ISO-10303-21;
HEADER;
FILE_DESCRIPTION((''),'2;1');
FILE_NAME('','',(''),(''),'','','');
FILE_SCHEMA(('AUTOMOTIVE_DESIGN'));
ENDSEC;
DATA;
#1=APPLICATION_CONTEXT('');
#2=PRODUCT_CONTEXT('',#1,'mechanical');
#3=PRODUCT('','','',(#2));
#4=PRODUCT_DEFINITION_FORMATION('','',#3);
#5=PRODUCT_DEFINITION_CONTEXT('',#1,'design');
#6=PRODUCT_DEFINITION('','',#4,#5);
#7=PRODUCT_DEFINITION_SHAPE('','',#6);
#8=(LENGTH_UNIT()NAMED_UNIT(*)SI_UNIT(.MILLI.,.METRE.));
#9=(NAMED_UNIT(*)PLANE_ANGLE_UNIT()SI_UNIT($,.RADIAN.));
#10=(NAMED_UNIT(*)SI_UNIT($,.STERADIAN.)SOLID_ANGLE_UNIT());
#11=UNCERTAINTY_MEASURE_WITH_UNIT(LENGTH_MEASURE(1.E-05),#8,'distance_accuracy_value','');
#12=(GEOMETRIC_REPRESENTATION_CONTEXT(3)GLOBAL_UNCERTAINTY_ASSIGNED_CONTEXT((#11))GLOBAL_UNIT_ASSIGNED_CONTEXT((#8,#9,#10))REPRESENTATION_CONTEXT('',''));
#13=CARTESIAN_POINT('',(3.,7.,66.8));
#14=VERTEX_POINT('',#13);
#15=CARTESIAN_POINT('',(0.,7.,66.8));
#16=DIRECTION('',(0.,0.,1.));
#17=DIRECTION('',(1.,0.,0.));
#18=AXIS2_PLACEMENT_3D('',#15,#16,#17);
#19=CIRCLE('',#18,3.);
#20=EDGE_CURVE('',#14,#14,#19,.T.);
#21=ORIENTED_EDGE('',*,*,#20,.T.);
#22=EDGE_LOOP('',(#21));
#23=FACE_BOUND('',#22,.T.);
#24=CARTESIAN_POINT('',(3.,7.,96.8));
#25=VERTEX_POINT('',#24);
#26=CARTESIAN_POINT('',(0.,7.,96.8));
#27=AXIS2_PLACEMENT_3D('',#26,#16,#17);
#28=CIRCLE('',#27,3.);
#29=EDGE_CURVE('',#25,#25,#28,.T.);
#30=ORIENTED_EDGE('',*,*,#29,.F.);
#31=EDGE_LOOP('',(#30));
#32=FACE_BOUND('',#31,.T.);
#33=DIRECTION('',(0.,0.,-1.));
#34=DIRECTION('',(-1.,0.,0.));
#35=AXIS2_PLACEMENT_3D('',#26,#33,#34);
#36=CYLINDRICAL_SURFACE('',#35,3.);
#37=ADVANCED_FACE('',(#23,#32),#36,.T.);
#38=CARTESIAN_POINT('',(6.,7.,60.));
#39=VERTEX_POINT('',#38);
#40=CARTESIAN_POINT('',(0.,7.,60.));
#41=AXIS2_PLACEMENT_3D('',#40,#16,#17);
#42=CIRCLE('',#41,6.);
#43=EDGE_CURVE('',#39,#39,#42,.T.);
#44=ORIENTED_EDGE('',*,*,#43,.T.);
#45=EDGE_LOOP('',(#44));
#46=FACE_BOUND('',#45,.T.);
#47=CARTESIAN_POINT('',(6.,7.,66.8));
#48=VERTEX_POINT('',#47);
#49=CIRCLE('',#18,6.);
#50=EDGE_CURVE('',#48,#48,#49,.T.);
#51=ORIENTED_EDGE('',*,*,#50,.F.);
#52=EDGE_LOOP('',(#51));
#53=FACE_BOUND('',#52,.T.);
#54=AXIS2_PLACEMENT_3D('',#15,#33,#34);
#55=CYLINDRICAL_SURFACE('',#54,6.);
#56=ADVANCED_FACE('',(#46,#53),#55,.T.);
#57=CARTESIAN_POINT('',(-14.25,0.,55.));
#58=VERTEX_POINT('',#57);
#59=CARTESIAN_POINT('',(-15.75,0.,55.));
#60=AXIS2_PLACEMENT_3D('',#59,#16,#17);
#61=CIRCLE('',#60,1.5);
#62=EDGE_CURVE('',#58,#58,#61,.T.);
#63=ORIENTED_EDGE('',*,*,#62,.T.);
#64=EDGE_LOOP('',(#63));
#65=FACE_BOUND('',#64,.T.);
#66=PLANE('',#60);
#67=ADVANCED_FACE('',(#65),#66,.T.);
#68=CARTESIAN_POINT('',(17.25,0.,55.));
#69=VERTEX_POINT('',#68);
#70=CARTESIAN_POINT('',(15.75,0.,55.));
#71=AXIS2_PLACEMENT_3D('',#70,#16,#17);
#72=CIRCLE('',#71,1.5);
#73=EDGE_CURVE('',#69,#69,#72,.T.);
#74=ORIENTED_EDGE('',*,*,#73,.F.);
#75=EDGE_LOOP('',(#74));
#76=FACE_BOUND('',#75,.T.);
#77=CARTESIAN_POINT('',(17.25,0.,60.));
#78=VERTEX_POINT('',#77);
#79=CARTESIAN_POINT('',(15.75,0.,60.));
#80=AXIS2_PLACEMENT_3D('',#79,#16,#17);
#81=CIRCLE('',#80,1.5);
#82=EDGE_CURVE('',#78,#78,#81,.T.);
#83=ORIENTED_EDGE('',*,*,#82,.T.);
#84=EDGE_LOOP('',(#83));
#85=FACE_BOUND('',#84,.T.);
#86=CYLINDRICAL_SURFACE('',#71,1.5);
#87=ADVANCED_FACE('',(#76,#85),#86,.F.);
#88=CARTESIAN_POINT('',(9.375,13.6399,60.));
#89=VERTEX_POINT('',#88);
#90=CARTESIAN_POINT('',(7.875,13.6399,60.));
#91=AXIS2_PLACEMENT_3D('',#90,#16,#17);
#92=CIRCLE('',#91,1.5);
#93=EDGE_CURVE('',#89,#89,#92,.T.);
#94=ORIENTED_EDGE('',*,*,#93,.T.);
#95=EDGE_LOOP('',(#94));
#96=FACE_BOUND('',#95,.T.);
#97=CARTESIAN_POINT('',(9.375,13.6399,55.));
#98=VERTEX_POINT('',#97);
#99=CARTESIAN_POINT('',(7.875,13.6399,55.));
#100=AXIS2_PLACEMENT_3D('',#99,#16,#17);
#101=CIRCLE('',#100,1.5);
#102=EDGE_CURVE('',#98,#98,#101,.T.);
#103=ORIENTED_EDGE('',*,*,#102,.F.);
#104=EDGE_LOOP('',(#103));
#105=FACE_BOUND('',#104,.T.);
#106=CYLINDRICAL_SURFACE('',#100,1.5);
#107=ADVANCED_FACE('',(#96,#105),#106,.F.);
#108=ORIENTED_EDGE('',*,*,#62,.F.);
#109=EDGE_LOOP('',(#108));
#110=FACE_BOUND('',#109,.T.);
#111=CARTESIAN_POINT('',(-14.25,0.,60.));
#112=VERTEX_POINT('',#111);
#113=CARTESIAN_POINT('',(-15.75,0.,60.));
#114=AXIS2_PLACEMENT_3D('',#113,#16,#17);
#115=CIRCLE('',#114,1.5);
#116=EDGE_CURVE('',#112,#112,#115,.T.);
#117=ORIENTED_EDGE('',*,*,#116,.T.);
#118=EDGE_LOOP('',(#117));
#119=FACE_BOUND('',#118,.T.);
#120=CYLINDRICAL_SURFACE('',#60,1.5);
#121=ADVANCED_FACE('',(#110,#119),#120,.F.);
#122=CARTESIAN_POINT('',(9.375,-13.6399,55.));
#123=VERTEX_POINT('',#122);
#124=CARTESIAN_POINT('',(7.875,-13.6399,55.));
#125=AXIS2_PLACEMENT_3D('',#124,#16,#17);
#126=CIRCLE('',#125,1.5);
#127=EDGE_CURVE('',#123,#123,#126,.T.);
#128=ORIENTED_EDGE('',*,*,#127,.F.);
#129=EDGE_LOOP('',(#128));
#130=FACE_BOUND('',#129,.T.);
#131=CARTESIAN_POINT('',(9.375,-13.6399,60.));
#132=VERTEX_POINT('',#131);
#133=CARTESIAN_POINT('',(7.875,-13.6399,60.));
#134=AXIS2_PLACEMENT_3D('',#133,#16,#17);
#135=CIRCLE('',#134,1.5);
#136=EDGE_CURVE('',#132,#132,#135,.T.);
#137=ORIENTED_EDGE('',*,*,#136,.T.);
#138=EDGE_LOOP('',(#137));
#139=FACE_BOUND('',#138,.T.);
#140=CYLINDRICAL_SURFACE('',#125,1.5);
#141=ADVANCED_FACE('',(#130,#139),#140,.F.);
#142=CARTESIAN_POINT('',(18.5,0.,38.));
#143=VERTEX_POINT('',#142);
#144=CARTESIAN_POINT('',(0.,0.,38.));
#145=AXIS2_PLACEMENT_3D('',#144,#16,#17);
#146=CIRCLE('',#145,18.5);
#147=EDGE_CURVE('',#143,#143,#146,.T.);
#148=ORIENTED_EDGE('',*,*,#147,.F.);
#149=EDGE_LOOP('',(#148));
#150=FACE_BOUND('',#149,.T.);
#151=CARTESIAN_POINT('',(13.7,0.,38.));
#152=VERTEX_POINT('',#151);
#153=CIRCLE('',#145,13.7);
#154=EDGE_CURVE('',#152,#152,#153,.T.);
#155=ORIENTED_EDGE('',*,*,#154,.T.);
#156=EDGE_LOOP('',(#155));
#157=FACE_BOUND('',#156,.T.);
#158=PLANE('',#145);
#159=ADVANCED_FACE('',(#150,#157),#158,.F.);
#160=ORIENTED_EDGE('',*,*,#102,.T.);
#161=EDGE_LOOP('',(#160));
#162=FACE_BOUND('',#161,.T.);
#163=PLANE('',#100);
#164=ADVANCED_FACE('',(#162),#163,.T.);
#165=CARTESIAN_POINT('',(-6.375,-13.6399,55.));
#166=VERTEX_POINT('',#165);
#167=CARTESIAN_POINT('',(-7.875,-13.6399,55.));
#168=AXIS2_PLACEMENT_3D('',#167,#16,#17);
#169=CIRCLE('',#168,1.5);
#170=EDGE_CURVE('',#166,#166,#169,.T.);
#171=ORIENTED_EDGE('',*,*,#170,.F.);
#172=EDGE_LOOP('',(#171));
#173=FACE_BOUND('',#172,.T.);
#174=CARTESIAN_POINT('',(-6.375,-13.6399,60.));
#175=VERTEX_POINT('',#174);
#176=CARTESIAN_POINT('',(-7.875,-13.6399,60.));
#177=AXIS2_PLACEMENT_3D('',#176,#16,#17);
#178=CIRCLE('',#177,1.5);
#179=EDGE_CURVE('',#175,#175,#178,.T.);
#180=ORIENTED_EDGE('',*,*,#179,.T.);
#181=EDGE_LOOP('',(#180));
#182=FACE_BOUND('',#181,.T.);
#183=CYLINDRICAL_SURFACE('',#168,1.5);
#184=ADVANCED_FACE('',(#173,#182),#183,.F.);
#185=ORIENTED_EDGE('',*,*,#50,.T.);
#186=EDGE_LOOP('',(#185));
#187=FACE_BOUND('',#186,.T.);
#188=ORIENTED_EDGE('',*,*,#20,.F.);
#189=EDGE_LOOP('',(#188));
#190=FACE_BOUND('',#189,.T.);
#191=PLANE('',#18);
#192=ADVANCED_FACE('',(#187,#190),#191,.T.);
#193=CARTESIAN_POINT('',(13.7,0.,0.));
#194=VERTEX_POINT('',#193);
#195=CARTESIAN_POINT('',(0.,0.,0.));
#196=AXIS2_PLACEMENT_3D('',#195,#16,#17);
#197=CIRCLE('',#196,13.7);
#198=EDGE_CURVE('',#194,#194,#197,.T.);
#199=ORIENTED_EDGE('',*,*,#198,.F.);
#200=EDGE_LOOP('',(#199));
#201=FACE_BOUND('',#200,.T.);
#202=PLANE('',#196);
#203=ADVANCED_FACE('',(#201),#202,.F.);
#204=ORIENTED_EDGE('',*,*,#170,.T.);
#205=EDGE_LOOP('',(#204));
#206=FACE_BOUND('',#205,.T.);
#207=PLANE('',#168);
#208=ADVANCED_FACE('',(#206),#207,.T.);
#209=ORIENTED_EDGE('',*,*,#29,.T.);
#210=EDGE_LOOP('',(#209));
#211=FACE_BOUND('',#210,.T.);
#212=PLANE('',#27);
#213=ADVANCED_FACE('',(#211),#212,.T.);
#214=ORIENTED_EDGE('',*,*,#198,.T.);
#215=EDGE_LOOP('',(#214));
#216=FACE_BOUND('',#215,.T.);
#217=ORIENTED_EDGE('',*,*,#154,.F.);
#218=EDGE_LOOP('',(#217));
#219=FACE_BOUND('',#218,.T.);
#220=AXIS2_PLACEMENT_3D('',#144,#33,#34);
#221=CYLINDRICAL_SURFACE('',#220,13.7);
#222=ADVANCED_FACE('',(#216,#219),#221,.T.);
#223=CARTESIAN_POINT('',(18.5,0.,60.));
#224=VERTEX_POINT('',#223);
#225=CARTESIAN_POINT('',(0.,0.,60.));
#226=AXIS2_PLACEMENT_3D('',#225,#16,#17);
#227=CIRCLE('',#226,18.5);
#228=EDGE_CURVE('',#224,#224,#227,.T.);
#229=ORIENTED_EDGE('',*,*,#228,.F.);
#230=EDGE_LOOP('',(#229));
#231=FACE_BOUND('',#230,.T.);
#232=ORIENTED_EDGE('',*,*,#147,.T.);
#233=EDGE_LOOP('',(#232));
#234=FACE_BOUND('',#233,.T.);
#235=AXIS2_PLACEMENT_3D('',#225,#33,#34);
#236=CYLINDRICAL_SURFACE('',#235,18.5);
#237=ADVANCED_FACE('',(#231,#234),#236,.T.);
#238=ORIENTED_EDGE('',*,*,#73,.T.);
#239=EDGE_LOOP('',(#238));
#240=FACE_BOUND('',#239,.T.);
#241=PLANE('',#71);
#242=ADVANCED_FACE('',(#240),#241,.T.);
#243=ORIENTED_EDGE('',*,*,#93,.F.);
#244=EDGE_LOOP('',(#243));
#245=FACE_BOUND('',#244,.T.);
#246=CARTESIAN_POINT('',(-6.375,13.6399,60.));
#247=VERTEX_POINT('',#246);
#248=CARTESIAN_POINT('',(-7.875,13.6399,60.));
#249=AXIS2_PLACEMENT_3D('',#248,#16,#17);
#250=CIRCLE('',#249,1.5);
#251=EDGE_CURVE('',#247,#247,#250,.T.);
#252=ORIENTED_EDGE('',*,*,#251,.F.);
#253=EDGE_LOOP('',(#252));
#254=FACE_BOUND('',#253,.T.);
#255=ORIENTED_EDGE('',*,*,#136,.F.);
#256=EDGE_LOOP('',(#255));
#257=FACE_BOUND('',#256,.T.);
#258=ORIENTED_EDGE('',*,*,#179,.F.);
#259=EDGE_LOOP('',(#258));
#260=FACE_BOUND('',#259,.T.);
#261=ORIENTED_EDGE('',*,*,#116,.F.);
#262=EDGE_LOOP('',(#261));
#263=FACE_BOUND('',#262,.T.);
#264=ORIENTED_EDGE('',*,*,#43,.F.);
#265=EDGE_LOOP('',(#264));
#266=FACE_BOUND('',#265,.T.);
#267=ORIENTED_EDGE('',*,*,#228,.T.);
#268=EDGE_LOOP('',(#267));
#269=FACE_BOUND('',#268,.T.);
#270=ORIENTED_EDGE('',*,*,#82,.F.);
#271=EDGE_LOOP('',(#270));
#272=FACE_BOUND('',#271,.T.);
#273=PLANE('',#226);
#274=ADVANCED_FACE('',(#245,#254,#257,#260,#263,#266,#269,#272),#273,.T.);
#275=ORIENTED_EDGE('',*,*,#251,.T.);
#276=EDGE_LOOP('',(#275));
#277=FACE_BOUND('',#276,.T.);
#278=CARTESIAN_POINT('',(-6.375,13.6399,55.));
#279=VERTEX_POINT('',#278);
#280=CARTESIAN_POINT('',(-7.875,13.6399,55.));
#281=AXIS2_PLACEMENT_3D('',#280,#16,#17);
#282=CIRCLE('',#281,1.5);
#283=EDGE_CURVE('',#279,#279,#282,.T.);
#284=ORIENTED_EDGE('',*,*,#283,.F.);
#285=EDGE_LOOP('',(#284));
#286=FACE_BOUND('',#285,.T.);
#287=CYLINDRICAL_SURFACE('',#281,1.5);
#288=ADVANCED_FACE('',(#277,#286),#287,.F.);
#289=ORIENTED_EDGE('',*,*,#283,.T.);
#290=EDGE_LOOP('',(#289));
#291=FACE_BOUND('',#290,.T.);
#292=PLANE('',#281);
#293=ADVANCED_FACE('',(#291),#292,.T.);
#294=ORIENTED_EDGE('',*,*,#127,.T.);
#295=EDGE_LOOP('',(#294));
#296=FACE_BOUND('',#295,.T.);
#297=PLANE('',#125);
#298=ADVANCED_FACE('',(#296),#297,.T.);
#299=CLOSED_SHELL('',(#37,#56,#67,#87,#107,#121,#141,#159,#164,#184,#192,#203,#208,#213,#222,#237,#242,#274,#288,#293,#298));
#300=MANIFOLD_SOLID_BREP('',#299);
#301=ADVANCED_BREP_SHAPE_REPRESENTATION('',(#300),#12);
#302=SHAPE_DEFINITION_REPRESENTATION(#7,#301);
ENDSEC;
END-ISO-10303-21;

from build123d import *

# Parameters (mm, degrees)
SKETCH1_R           = 13.7
BOSS_EXTRUDE1_DEPTH = 38
SKETCH2_R           = 18.5
BOSS_EXTRUDE2_DEPTH = 22
SKETCH3_R           = 6
BOSS_EXTRUDE3_DEPTH = 6.8
SKETCH4_R           = 3
BOSS_EXTRUDE4_DEPTH = 30
SKETCH5_R           = 1.5
CUT_EXTRUDE1_DEPTH  = 5


with BuildPart() as part:
    # Sketch1 → Boss-Extrude1 (new body)
    with BuildSketch(Plane.XY):
        Circle(SKETCH1_R)
    extrude(amount=BOSS_EXTRUDE1_DEPTH)

    # Sketch2 → Boss-Extrude2 (add)
    with BuildSketch(Plane.XY.offset(38)):
        Circle(SKETCH2_R)
    extrude(amount=BOSS_EXTRUDE2_DEPTH)

    # Sketch3 → Boss-Extrude3 (add)
    with BuildSketch(Plane.XY.offset(60)):
        with Locations((0, 7)):
            Circle(SKETCH3_R)
    extrude(amount=BOSS_EXTRUDE3_DEPTH)

    # Sketch4 → Boss-Extrude4 (add)
    with BuildSketch(Plane.XY.offset(66.8)):
        with Locations((0, 7)):
            Circle(SKETCH4_R)
    extrude(amount=BOSS_EXTRUDE4_DEPTH)

    # Sketch5 → Cut-Extrude1 (cut)
    with BuildSketch(Plane.XY.offset(60)):
        with Locations((-15.75, 0)):
            Circle(SKETCH5_R)
        with Locations((-7.875, 13.63990011)):
            Circle(SKETCH5_R)
        with Locations((7.875, 13.63990011)):
            Circle(SKETCH5_R)
        with Locations((15.75, 0)):
            Circle(SKETCH5_R)
        with Locations((7.875, -13.63990011)):
            Circle(SKETCH5_R)
        with Locations((-7.875, -13.63990011)):
            Circle(SKETCH5_R)
    extrude(amount=-CUT_EXTRUDE1_DEPTH, mode=Mode.SUBTRACT)


solid = part.part
